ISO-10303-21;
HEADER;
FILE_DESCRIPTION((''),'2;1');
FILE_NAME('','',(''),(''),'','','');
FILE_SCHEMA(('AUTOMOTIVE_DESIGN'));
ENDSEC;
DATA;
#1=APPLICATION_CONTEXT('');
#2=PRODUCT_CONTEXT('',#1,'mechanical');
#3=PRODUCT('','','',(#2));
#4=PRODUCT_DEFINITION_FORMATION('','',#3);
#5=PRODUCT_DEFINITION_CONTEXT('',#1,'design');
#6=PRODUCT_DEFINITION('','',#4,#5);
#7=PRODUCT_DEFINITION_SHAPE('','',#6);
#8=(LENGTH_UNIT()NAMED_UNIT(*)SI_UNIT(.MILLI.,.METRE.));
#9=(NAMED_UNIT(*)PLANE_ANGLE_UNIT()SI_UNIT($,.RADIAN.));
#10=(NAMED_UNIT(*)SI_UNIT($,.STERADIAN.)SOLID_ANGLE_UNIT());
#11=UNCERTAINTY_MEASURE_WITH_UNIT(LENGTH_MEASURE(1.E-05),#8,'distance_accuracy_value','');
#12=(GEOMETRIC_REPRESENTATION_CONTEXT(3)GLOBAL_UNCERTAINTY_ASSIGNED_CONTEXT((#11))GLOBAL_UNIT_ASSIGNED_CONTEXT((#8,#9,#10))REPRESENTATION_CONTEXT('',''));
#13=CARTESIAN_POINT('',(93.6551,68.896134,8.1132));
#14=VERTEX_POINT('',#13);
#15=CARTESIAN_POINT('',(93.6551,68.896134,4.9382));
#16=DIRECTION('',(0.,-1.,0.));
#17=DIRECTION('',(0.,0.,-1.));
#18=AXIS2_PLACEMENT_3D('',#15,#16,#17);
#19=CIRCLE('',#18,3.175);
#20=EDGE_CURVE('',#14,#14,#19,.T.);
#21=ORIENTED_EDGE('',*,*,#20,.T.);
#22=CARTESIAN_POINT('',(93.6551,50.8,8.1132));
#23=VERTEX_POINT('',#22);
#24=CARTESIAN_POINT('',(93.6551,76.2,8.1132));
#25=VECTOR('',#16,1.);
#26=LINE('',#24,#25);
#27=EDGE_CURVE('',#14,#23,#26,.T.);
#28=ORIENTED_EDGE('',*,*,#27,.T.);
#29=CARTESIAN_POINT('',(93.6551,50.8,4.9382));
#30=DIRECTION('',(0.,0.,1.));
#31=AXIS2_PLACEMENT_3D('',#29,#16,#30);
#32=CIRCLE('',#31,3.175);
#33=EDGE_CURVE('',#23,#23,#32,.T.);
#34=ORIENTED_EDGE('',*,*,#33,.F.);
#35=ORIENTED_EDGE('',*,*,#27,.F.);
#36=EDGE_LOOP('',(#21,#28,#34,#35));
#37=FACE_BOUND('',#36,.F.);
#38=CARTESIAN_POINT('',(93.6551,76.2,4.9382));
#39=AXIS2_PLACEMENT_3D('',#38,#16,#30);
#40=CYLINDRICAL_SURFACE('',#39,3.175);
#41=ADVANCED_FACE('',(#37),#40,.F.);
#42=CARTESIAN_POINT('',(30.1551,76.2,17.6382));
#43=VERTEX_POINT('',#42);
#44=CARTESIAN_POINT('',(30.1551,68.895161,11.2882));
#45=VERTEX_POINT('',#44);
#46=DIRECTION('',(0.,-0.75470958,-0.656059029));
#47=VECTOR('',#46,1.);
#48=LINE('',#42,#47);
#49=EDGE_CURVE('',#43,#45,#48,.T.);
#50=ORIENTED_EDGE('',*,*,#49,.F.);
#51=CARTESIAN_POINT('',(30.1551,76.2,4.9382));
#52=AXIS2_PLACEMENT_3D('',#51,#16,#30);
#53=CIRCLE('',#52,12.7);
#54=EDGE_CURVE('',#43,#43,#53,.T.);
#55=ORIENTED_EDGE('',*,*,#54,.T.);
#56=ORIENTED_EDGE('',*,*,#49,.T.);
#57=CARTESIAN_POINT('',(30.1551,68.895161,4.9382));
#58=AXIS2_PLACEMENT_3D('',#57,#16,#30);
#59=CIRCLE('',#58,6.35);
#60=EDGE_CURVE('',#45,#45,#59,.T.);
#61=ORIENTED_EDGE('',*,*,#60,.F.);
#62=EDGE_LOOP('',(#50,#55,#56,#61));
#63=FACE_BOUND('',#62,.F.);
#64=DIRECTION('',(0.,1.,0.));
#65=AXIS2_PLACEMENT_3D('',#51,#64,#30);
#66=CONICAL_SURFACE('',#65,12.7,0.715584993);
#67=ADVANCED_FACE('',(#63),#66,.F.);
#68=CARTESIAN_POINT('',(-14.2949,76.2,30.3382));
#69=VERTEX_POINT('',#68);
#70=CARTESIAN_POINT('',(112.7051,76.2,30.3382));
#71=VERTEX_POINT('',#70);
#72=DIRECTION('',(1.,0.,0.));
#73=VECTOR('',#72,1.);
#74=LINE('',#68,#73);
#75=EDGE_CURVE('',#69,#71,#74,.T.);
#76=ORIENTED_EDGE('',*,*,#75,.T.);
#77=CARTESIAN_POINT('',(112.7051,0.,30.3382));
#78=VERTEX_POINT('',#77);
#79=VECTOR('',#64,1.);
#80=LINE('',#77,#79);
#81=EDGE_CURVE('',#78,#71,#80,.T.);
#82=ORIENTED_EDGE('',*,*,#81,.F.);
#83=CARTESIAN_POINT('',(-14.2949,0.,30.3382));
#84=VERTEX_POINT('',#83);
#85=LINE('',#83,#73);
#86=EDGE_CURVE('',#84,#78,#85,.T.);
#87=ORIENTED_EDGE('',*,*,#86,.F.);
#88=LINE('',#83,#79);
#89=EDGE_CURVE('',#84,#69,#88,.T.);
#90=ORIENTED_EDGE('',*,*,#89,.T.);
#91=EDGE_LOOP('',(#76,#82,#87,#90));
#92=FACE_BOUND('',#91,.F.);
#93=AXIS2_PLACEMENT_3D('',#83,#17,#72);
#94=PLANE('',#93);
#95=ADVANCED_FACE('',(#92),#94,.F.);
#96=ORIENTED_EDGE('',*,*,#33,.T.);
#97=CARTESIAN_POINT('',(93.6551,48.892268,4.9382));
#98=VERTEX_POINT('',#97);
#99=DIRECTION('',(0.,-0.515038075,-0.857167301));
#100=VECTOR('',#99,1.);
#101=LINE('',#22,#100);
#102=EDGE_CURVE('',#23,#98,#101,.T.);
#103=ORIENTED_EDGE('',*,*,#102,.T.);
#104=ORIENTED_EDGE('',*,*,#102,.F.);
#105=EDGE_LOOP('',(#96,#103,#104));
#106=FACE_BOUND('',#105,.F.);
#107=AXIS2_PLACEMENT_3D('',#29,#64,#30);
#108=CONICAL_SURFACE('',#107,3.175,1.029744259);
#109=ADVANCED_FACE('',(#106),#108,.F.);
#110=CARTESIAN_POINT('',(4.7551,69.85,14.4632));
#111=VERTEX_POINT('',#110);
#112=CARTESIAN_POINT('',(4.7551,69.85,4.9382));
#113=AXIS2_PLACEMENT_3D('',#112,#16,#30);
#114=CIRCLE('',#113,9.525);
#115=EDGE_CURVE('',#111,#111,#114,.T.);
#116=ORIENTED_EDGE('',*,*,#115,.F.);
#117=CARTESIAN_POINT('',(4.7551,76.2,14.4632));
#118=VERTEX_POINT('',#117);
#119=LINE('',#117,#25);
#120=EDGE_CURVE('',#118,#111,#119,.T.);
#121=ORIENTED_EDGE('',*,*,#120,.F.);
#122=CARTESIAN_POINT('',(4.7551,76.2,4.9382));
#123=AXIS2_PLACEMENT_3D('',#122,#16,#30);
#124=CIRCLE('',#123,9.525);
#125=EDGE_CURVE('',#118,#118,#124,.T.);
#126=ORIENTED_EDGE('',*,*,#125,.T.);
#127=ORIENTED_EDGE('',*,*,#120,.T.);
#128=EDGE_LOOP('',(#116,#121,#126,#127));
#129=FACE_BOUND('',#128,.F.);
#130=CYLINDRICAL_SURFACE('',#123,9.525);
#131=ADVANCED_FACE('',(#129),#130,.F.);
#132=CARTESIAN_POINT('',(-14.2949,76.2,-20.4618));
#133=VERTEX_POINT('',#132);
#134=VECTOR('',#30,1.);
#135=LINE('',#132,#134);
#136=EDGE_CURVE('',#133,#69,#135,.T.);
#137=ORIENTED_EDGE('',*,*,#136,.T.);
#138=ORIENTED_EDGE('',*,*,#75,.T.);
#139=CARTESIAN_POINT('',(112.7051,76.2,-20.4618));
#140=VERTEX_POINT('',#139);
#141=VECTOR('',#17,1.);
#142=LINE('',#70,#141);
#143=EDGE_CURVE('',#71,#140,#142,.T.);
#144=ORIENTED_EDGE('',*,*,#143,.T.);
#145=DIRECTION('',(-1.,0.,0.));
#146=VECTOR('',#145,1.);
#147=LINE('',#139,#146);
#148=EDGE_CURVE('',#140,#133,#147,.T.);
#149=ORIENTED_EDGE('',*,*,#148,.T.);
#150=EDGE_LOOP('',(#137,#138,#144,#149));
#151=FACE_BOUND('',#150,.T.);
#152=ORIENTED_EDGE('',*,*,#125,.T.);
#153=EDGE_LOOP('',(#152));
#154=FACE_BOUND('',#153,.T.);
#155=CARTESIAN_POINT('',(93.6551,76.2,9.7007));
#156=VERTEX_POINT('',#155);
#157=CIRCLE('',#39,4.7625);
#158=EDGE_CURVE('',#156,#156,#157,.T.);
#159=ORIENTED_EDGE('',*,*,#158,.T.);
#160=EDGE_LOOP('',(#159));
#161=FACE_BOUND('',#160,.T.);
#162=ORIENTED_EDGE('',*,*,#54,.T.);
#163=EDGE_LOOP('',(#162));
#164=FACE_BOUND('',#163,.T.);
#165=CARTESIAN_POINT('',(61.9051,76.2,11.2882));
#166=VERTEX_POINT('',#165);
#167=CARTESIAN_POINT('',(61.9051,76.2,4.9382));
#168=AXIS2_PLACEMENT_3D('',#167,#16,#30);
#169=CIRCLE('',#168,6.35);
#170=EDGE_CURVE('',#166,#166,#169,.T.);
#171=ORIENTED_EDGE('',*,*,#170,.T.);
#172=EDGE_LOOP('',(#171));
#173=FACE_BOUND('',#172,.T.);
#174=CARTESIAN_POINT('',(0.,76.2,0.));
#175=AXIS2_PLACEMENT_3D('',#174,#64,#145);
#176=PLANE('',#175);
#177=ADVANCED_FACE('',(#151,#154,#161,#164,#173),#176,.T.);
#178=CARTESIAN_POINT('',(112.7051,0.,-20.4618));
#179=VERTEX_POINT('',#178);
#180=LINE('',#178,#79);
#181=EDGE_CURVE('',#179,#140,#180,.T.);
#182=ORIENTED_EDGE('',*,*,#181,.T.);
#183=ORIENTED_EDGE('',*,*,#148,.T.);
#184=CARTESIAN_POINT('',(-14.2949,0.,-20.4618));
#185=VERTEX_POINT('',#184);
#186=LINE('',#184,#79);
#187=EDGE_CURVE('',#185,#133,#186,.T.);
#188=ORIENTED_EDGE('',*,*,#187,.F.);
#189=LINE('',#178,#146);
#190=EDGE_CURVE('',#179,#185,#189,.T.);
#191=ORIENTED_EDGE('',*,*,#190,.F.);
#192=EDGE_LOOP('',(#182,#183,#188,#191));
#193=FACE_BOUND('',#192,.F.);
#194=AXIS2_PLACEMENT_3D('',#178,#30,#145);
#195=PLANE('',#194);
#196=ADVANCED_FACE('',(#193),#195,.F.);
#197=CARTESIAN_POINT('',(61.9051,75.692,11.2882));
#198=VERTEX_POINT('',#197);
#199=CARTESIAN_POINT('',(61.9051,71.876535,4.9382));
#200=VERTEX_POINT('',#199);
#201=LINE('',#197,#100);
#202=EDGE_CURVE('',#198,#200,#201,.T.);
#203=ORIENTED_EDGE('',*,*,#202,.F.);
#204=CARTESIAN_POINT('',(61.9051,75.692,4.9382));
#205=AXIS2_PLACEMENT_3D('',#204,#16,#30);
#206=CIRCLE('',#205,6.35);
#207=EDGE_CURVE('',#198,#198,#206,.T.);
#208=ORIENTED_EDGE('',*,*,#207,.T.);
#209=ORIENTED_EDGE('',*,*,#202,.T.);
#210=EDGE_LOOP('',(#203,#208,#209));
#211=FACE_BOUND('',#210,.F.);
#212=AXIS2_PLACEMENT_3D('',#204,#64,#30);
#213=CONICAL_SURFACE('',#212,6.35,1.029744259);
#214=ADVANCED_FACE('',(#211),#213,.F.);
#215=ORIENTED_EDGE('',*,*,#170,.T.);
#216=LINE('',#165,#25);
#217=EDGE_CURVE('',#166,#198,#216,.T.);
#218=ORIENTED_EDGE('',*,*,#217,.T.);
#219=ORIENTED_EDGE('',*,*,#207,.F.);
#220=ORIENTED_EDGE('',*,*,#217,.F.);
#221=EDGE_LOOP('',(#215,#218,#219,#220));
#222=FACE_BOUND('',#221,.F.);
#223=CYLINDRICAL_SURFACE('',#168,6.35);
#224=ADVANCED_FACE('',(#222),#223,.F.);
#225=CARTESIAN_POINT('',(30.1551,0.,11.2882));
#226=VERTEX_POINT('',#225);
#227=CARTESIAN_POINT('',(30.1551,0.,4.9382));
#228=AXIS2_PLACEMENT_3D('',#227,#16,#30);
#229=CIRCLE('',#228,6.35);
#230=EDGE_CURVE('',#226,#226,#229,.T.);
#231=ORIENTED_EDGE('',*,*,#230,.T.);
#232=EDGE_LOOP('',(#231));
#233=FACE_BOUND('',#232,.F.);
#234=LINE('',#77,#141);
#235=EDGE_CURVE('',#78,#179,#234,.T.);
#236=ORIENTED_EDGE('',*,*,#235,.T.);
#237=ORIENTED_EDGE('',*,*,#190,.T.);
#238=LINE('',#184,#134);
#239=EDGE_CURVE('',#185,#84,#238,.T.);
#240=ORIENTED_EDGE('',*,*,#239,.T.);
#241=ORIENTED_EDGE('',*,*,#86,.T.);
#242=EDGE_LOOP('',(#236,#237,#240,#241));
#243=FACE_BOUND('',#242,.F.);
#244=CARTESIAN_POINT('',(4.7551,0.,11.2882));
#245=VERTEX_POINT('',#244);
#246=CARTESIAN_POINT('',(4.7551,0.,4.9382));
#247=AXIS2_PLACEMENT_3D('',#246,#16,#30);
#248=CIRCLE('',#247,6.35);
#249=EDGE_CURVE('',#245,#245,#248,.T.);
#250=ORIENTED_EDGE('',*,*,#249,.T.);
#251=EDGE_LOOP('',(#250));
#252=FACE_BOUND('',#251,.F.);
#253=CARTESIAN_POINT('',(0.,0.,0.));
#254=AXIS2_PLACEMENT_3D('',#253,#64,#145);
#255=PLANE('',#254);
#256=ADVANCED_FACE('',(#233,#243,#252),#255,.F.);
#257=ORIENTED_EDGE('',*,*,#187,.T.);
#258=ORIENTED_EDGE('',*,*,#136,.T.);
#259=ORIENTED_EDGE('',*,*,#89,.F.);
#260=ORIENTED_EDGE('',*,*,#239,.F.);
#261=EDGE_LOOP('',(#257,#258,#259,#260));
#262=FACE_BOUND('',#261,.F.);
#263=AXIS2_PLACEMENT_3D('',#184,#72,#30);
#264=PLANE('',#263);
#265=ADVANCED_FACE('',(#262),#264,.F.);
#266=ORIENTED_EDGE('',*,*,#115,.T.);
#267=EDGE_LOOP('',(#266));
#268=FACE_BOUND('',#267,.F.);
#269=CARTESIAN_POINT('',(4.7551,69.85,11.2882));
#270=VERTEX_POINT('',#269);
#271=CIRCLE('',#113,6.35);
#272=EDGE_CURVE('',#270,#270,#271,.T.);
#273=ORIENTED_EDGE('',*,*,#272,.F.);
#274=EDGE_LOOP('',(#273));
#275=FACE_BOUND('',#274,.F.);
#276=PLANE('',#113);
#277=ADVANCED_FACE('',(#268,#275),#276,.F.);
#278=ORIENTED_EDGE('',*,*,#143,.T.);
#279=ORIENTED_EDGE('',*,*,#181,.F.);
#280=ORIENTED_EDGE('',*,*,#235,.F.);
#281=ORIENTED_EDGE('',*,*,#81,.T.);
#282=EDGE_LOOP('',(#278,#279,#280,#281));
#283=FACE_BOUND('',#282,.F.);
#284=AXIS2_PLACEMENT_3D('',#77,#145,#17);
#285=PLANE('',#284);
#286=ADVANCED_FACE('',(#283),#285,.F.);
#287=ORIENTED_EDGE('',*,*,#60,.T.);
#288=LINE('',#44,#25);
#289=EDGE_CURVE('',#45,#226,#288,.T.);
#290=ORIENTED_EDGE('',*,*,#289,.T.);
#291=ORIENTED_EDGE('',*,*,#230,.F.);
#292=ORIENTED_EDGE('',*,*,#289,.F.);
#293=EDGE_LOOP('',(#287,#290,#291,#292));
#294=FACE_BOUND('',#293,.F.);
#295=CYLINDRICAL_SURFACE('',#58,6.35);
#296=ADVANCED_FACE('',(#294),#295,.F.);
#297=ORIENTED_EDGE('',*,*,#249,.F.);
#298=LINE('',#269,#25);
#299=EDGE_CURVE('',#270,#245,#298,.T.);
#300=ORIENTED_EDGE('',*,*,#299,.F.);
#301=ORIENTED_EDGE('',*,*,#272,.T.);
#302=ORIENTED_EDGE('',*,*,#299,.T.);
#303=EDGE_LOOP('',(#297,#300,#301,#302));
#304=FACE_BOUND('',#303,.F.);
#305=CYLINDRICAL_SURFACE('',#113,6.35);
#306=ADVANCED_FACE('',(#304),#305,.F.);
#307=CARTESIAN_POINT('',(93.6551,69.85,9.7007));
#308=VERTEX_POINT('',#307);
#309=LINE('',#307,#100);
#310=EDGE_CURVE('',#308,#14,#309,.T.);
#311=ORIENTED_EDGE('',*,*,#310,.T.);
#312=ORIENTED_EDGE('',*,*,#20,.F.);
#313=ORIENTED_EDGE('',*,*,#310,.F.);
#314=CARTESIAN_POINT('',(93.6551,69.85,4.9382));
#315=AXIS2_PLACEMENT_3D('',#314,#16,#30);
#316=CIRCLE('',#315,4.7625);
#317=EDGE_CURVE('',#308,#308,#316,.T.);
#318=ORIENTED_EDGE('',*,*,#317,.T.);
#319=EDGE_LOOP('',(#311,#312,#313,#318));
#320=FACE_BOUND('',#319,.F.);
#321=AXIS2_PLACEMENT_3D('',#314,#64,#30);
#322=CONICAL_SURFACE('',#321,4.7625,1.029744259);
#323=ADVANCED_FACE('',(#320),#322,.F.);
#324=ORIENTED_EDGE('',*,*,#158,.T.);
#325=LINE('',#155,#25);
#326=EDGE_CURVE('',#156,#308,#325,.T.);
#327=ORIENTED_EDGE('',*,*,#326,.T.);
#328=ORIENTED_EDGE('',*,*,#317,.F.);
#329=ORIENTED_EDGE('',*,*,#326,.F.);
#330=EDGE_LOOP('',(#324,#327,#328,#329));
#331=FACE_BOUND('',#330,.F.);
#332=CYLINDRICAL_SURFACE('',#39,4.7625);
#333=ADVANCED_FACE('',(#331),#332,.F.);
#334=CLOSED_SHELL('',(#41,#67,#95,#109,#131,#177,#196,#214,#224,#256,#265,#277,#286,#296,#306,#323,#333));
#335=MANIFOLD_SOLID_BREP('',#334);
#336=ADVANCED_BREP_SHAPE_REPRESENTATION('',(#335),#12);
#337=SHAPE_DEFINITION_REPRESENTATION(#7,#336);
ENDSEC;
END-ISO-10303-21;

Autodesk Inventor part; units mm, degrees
ref_plane "YZ Plane" through (0, 0, 0) normal (1, 0, 0) x (0, 1, 0)
ref_plane "XZ Plane" through (0, 0, 0) normal (0, 1, 0) x (-1, 0, 0)
ref_plane "XY Plane" through (0, 0, 0) normal (0, 0, 1) x (1, 0, 0)
sketch "Sketch1" plane through (0, 0, 0) normal (0, 1, 0) x (-1, 0, 0)
  line L0 (14.2949, 30.3382) -> (-112.7051, 30.3382)
  line L1 (-112.7051, 30.3382) -> (-112.7051, -20.4618)
  line L2 (-112.7051, -20.4618) -> (14.2949, -20.4618)
  line L3 (14.2949, -20.4618) -> (14.2949, 30.3382)
  point P0 (0, 0)
  dimension "d0" = 127
  dimension "d1" = 50.8
extrude "Extrusion1" add sketch "Sketch1" along normal blind 76.2
sketch "Sketch2" plane through (0, 76.2, 0) normal (0, 1, 0) x (1, 0, 0)
  line L0 (-14.2949, 20.4618) -> (-14.2949, -30.3382) projected
  line L1 (-14.2949, -4.9382) -> (4.7551, -4.9382)
  line L2 (4.7551, -4.9382) -> (30.1551, -4.9382)
  line L3 (30.1551, -4.9382) -> (61.9051, -4.9382)
  line L4 (61.9051, -4.9382) -> (93.6551, -4.9382)
  point P0 (0, 0)
  dimension "d4" = 19.05
  dimension "d5" = 25.4
  dimension "d6" = 31.75
  dimension "d7" = 31.75
hole "Hole1" at (93.6551, 76.2, 4.9382) direction (0, -1, 0) diameter 6.35 depth 25.4 tip angle 118
hole "Hole2" at (93.6551, 76.2, 4.9382) direction (0, -1, 0) diameter 9.525 depth 6.35 tip angle 118
hole "Hole3" at (61.9051, 76.2, 4.9382) direction (0, -1, 0) diameter 12.7 depth 0.508 tip angle 118
hole "Hole4" at (30.1551, 76.2, 4.9382) direction (0, -1, 0) diameter 12.7 depth 76.2 tip angle 118 countersink diameter 25.4 countersink angle 82
hole "Hole5" at (4.7551, 76.2, 4.9382) direction (0, -1, 0) diameter 12.7 depth 76.2 tip angle 118 counterbore diameter 19.05 counterbore depth 6.35
properties part number "7.2 part 4"
